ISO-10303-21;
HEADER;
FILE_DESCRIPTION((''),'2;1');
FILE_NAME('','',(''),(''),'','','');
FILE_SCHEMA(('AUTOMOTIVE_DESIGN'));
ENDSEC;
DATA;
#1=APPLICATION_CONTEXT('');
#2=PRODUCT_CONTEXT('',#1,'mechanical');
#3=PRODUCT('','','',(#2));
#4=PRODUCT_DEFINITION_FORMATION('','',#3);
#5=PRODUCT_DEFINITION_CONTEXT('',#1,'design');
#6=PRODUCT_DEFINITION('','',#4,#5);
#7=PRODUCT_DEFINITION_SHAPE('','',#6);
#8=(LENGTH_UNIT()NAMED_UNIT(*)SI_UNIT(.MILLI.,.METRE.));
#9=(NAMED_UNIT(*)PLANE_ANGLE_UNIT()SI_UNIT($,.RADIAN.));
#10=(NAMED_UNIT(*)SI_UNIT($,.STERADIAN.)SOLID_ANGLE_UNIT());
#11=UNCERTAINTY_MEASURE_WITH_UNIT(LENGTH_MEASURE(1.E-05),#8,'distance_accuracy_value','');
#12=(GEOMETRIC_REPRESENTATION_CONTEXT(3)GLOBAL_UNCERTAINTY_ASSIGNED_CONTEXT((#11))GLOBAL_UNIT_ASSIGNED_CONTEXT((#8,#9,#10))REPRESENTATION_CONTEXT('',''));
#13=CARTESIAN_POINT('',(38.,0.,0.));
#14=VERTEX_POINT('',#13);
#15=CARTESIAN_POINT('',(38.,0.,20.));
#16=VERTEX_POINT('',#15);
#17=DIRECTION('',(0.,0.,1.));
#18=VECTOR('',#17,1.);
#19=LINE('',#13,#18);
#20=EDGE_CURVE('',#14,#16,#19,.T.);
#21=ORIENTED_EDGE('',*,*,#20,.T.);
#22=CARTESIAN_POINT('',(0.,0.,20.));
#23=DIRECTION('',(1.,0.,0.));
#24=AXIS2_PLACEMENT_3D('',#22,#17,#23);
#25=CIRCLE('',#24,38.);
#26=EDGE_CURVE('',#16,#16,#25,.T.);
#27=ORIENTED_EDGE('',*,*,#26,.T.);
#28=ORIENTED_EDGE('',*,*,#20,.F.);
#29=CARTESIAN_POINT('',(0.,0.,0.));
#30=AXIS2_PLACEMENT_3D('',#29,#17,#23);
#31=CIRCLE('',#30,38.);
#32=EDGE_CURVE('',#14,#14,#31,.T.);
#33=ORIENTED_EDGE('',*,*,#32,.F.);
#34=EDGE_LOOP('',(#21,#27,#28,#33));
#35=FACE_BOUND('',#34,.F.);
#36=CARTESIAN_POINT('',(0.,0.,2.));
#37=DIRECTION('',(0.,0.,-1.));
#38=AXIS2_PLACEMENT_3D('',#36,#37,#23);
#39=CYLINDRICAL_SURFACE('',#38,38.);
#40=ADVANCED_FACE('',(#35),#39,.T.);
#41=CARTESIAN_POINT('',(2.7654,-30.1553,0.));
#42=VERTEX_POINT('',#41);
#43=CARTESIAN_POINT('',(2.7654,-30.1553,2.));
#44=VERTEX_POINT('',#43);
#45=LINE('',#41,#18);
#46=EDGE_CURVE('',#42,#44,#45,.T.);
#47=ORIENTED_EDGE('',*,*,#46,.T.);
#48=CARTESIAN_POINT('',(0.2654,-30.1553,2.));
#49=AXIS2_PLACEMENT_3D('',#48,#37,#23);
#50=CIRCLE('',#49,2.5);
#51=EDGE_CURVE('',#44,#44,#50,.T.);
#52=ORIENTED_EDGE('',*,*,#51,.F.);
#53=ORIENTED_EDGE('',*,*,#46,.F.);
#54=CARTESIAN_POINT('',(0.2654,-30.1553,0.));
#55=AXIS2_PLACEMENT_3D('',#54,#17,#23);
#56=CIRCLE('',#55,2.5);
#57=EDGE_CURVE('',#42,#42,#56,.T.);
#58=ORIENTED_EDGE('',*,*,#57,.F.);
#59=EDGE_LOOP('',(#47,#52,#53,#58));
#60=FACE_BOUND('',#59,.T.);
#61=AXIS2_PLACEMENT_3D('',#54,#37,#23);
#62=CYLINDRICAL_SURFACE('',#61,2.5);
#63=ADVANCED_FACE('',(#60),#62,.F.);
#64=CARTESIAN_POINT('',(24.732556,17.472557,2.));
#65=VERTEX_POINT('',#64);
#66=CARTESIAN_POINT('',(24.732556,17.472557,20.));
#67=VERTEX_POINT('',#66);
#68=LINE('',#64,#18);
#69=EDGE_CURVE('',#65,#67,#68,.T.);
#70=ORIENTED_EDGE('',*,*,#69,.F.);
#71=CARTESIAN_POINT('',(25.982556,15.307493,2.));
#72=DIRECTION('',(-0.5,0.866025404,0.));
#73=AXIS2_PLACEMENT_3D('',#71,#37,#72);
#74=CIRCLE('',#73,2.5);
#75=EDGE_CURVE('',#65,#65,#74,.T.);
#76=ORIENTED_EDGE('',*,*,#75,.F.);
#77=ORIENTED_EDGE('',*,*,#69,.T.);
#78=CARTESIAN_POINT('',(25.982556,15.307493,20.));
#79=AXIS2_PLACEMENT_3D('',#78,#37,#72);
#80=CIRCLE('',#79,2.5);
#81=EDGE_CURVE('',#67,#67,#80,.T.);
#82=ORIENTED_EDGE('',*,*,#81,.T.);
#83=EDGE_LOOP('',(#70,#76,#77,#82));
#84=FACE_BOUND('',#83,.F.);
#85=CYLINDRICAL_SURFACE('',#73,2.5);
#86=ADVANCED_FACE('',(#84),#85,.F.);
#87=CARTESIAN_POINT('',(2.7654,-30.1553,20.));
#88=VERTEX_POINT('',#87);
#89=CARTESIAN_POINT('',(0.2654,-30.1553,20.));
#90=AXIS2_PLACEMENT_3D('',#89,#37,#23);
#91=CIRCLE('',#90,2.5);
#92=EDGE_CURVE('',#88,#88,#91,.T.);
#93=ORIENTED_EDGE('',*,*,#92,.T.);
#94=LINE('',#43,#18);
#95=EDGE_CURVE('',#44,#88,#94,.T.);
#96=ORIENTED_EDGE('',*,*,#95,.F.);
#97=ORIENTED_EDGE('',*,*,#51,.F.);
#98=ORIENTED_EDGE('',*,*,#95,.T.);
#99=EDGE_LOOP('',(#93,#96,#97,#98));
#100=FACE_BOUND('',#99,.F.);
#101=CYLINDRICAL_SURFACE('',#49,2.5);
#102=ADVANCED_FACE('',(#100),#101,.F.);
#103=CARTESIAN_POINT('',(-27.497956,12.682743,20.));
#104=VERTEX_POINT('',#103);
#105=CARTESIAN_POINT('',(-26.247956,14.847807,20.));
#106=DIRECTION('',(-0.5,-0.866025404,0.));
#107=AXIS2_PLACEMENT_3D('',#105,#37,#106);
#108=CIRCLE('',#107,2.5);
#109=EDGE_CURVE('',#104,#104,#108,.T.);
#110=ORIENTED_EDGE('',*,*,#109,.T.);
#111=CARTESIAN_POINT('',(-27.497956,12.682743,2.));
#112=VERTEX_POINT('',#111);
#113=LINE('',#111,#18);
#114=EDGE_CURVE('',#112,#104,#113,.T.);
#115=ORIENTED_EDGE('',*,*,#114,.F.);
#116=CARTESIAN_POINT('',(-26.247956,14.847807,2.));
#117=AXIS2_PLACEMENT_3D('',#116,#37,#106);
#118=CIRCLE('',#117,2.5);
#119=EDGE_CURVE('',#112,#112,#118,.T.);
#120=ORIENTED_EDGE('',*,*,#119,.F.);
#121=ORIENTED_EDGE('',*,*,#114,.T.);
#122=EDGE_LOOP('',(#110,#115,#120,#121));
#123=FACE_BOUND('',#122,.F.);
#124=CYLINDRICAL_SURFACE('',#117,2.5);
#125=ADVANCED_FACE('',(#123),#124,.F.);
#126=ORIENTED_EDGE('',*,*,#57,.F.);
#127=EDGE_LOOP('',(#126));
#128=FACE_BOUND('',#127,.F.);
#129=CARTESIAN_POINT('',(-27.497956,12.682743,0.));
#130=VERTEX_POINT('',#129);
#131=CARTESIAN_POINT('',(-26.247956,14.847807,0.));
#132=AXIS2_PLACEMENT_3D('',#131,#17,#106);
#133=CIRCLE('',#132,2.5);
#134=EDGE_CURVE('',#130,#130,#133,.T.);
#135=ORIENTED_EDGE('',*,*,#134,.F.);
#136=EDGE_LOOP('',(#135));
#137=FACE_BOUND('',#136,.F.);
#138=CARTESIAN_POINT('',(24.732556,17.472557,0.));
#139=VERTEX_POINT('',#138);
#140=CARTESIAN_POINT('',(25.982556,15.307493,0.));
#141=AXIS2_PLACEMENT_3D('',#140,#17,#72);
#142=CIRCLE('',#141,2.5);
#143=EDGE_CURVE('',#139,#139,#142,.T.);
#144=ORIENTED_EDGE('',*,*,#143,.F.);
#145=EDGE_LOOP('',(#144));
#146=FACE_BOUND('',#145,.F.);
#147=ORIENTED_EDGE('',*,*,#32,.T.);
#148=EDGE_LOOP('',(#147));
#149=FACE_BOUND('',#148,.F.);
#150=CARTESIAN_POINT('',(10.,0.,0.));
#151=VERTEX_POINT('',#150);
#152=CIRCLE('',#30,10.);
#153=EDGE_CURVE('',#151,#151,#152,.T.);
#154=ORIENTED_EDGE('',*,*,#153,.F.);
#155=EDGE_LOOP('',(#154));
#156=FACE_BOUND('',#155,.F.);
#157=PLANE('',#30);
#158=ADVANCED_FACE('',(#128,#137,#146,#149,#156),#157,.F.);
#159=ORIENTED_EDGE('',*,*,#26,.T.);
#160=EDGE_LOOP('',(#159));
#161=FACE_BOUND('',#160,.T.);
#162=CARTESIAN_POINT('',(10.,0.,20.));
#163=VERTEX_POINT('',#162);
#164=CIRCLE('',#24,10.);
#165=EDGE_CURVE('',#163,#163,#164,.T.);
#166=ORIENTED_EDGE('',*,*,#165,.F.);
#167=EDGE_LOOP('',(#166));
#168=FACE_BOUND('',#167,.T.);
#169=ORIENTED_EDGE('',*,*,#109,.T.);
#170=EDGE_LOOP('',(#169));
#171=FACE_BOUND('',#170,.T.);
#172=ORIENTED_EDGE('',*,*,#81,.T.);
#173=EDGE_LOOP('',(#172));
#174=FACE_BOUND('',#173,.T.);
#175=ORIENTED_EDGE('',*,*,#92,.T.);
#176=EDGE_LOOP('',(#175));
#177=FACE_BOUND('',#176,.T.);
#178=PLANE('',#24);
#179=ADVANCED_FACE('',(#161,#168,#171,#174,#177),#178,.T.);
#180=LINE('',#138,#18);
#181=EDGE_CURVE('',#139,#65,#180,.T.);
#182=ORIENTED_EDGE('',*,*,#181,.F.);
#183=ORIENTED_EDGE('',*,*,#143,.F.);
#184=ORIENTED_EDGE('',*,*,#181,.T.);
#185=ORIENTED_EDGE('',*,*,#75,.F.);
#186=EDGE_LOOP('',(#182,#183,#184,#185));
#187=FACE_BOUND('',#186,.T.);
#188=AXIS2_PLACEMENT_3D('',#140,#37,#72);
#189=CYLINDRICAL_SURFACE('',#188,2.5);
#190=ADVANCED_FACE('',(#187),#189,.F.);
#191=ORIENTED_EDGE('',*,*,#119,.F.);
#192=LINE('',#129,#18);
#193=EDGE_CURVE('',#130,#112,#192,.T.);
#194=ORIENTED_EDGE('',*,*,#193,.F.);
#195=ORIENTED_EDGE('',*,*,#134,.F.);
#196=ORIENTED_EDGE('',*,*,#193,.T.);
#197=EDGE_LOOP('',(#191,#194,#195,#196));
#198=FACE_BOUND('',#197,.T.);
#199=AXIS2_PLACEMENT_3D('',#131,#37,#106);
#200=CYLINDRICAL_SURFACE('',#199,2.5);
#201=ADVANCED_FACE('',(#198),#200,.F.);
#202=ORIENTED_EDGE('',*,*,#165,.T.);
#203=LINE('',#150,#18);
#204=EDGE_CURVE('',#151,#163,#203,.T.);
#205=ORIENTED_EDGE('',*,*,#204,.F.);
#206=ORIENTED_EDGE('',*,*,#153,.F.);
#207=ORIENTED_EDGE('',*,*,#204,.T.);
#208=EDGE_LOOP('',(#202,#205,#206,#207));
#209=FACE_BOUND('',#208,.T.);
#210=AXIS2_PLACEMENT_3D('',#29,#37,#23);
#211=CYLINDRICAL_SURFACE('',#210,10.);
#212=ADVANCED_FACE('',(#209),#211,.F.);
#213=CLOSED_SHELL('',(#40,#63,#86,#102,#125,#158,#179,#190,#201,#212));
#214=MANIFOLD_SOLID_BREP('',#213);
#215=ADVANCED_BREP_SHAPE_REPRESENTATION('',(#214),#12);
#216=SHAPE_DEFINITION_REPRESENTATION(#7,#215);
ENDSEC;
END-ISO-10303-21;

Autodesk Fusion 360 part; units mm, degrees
sketch "Sketch1" plane through (0, 0, 0) normal (0, 0, 1) x (1, 0, 0)
  circle A0 centre (0, 0) radius 10
  circle A1 centre (0, 0) radius 22.5
  circle A2 centre (0, 0) radius 38
  dimension "d1" = 45
  dimension "d2" = 20
  dimension "d3" = 76
extrude "Extrude1" add sketch "Sketch1" along normal blind 20 contours A1
sketch "Sketch2" plane through (0, 0, 0) normal (0, 0, 1) x (1, 0, 0)
  circle A0 centre (0.2654, -30.1553) radius 2.5
  dimension "d8" = 5
extrude "Extrude4" add sketch "Sketch1" along normal blind 2 contours A1 | A2
extrude "Extrude5" cut sketch "Sketch2" along normal blind 6.312
pattern_circular "C-Pattern2" count 3 over 360 about axis through (0, 0, 2) along (0, 0, 1) of "Extrude5"
extrude "돌출6" add 1 faces at (-20.8034, 21.3677, 2) along direction (0, 0, 1) blind 18
